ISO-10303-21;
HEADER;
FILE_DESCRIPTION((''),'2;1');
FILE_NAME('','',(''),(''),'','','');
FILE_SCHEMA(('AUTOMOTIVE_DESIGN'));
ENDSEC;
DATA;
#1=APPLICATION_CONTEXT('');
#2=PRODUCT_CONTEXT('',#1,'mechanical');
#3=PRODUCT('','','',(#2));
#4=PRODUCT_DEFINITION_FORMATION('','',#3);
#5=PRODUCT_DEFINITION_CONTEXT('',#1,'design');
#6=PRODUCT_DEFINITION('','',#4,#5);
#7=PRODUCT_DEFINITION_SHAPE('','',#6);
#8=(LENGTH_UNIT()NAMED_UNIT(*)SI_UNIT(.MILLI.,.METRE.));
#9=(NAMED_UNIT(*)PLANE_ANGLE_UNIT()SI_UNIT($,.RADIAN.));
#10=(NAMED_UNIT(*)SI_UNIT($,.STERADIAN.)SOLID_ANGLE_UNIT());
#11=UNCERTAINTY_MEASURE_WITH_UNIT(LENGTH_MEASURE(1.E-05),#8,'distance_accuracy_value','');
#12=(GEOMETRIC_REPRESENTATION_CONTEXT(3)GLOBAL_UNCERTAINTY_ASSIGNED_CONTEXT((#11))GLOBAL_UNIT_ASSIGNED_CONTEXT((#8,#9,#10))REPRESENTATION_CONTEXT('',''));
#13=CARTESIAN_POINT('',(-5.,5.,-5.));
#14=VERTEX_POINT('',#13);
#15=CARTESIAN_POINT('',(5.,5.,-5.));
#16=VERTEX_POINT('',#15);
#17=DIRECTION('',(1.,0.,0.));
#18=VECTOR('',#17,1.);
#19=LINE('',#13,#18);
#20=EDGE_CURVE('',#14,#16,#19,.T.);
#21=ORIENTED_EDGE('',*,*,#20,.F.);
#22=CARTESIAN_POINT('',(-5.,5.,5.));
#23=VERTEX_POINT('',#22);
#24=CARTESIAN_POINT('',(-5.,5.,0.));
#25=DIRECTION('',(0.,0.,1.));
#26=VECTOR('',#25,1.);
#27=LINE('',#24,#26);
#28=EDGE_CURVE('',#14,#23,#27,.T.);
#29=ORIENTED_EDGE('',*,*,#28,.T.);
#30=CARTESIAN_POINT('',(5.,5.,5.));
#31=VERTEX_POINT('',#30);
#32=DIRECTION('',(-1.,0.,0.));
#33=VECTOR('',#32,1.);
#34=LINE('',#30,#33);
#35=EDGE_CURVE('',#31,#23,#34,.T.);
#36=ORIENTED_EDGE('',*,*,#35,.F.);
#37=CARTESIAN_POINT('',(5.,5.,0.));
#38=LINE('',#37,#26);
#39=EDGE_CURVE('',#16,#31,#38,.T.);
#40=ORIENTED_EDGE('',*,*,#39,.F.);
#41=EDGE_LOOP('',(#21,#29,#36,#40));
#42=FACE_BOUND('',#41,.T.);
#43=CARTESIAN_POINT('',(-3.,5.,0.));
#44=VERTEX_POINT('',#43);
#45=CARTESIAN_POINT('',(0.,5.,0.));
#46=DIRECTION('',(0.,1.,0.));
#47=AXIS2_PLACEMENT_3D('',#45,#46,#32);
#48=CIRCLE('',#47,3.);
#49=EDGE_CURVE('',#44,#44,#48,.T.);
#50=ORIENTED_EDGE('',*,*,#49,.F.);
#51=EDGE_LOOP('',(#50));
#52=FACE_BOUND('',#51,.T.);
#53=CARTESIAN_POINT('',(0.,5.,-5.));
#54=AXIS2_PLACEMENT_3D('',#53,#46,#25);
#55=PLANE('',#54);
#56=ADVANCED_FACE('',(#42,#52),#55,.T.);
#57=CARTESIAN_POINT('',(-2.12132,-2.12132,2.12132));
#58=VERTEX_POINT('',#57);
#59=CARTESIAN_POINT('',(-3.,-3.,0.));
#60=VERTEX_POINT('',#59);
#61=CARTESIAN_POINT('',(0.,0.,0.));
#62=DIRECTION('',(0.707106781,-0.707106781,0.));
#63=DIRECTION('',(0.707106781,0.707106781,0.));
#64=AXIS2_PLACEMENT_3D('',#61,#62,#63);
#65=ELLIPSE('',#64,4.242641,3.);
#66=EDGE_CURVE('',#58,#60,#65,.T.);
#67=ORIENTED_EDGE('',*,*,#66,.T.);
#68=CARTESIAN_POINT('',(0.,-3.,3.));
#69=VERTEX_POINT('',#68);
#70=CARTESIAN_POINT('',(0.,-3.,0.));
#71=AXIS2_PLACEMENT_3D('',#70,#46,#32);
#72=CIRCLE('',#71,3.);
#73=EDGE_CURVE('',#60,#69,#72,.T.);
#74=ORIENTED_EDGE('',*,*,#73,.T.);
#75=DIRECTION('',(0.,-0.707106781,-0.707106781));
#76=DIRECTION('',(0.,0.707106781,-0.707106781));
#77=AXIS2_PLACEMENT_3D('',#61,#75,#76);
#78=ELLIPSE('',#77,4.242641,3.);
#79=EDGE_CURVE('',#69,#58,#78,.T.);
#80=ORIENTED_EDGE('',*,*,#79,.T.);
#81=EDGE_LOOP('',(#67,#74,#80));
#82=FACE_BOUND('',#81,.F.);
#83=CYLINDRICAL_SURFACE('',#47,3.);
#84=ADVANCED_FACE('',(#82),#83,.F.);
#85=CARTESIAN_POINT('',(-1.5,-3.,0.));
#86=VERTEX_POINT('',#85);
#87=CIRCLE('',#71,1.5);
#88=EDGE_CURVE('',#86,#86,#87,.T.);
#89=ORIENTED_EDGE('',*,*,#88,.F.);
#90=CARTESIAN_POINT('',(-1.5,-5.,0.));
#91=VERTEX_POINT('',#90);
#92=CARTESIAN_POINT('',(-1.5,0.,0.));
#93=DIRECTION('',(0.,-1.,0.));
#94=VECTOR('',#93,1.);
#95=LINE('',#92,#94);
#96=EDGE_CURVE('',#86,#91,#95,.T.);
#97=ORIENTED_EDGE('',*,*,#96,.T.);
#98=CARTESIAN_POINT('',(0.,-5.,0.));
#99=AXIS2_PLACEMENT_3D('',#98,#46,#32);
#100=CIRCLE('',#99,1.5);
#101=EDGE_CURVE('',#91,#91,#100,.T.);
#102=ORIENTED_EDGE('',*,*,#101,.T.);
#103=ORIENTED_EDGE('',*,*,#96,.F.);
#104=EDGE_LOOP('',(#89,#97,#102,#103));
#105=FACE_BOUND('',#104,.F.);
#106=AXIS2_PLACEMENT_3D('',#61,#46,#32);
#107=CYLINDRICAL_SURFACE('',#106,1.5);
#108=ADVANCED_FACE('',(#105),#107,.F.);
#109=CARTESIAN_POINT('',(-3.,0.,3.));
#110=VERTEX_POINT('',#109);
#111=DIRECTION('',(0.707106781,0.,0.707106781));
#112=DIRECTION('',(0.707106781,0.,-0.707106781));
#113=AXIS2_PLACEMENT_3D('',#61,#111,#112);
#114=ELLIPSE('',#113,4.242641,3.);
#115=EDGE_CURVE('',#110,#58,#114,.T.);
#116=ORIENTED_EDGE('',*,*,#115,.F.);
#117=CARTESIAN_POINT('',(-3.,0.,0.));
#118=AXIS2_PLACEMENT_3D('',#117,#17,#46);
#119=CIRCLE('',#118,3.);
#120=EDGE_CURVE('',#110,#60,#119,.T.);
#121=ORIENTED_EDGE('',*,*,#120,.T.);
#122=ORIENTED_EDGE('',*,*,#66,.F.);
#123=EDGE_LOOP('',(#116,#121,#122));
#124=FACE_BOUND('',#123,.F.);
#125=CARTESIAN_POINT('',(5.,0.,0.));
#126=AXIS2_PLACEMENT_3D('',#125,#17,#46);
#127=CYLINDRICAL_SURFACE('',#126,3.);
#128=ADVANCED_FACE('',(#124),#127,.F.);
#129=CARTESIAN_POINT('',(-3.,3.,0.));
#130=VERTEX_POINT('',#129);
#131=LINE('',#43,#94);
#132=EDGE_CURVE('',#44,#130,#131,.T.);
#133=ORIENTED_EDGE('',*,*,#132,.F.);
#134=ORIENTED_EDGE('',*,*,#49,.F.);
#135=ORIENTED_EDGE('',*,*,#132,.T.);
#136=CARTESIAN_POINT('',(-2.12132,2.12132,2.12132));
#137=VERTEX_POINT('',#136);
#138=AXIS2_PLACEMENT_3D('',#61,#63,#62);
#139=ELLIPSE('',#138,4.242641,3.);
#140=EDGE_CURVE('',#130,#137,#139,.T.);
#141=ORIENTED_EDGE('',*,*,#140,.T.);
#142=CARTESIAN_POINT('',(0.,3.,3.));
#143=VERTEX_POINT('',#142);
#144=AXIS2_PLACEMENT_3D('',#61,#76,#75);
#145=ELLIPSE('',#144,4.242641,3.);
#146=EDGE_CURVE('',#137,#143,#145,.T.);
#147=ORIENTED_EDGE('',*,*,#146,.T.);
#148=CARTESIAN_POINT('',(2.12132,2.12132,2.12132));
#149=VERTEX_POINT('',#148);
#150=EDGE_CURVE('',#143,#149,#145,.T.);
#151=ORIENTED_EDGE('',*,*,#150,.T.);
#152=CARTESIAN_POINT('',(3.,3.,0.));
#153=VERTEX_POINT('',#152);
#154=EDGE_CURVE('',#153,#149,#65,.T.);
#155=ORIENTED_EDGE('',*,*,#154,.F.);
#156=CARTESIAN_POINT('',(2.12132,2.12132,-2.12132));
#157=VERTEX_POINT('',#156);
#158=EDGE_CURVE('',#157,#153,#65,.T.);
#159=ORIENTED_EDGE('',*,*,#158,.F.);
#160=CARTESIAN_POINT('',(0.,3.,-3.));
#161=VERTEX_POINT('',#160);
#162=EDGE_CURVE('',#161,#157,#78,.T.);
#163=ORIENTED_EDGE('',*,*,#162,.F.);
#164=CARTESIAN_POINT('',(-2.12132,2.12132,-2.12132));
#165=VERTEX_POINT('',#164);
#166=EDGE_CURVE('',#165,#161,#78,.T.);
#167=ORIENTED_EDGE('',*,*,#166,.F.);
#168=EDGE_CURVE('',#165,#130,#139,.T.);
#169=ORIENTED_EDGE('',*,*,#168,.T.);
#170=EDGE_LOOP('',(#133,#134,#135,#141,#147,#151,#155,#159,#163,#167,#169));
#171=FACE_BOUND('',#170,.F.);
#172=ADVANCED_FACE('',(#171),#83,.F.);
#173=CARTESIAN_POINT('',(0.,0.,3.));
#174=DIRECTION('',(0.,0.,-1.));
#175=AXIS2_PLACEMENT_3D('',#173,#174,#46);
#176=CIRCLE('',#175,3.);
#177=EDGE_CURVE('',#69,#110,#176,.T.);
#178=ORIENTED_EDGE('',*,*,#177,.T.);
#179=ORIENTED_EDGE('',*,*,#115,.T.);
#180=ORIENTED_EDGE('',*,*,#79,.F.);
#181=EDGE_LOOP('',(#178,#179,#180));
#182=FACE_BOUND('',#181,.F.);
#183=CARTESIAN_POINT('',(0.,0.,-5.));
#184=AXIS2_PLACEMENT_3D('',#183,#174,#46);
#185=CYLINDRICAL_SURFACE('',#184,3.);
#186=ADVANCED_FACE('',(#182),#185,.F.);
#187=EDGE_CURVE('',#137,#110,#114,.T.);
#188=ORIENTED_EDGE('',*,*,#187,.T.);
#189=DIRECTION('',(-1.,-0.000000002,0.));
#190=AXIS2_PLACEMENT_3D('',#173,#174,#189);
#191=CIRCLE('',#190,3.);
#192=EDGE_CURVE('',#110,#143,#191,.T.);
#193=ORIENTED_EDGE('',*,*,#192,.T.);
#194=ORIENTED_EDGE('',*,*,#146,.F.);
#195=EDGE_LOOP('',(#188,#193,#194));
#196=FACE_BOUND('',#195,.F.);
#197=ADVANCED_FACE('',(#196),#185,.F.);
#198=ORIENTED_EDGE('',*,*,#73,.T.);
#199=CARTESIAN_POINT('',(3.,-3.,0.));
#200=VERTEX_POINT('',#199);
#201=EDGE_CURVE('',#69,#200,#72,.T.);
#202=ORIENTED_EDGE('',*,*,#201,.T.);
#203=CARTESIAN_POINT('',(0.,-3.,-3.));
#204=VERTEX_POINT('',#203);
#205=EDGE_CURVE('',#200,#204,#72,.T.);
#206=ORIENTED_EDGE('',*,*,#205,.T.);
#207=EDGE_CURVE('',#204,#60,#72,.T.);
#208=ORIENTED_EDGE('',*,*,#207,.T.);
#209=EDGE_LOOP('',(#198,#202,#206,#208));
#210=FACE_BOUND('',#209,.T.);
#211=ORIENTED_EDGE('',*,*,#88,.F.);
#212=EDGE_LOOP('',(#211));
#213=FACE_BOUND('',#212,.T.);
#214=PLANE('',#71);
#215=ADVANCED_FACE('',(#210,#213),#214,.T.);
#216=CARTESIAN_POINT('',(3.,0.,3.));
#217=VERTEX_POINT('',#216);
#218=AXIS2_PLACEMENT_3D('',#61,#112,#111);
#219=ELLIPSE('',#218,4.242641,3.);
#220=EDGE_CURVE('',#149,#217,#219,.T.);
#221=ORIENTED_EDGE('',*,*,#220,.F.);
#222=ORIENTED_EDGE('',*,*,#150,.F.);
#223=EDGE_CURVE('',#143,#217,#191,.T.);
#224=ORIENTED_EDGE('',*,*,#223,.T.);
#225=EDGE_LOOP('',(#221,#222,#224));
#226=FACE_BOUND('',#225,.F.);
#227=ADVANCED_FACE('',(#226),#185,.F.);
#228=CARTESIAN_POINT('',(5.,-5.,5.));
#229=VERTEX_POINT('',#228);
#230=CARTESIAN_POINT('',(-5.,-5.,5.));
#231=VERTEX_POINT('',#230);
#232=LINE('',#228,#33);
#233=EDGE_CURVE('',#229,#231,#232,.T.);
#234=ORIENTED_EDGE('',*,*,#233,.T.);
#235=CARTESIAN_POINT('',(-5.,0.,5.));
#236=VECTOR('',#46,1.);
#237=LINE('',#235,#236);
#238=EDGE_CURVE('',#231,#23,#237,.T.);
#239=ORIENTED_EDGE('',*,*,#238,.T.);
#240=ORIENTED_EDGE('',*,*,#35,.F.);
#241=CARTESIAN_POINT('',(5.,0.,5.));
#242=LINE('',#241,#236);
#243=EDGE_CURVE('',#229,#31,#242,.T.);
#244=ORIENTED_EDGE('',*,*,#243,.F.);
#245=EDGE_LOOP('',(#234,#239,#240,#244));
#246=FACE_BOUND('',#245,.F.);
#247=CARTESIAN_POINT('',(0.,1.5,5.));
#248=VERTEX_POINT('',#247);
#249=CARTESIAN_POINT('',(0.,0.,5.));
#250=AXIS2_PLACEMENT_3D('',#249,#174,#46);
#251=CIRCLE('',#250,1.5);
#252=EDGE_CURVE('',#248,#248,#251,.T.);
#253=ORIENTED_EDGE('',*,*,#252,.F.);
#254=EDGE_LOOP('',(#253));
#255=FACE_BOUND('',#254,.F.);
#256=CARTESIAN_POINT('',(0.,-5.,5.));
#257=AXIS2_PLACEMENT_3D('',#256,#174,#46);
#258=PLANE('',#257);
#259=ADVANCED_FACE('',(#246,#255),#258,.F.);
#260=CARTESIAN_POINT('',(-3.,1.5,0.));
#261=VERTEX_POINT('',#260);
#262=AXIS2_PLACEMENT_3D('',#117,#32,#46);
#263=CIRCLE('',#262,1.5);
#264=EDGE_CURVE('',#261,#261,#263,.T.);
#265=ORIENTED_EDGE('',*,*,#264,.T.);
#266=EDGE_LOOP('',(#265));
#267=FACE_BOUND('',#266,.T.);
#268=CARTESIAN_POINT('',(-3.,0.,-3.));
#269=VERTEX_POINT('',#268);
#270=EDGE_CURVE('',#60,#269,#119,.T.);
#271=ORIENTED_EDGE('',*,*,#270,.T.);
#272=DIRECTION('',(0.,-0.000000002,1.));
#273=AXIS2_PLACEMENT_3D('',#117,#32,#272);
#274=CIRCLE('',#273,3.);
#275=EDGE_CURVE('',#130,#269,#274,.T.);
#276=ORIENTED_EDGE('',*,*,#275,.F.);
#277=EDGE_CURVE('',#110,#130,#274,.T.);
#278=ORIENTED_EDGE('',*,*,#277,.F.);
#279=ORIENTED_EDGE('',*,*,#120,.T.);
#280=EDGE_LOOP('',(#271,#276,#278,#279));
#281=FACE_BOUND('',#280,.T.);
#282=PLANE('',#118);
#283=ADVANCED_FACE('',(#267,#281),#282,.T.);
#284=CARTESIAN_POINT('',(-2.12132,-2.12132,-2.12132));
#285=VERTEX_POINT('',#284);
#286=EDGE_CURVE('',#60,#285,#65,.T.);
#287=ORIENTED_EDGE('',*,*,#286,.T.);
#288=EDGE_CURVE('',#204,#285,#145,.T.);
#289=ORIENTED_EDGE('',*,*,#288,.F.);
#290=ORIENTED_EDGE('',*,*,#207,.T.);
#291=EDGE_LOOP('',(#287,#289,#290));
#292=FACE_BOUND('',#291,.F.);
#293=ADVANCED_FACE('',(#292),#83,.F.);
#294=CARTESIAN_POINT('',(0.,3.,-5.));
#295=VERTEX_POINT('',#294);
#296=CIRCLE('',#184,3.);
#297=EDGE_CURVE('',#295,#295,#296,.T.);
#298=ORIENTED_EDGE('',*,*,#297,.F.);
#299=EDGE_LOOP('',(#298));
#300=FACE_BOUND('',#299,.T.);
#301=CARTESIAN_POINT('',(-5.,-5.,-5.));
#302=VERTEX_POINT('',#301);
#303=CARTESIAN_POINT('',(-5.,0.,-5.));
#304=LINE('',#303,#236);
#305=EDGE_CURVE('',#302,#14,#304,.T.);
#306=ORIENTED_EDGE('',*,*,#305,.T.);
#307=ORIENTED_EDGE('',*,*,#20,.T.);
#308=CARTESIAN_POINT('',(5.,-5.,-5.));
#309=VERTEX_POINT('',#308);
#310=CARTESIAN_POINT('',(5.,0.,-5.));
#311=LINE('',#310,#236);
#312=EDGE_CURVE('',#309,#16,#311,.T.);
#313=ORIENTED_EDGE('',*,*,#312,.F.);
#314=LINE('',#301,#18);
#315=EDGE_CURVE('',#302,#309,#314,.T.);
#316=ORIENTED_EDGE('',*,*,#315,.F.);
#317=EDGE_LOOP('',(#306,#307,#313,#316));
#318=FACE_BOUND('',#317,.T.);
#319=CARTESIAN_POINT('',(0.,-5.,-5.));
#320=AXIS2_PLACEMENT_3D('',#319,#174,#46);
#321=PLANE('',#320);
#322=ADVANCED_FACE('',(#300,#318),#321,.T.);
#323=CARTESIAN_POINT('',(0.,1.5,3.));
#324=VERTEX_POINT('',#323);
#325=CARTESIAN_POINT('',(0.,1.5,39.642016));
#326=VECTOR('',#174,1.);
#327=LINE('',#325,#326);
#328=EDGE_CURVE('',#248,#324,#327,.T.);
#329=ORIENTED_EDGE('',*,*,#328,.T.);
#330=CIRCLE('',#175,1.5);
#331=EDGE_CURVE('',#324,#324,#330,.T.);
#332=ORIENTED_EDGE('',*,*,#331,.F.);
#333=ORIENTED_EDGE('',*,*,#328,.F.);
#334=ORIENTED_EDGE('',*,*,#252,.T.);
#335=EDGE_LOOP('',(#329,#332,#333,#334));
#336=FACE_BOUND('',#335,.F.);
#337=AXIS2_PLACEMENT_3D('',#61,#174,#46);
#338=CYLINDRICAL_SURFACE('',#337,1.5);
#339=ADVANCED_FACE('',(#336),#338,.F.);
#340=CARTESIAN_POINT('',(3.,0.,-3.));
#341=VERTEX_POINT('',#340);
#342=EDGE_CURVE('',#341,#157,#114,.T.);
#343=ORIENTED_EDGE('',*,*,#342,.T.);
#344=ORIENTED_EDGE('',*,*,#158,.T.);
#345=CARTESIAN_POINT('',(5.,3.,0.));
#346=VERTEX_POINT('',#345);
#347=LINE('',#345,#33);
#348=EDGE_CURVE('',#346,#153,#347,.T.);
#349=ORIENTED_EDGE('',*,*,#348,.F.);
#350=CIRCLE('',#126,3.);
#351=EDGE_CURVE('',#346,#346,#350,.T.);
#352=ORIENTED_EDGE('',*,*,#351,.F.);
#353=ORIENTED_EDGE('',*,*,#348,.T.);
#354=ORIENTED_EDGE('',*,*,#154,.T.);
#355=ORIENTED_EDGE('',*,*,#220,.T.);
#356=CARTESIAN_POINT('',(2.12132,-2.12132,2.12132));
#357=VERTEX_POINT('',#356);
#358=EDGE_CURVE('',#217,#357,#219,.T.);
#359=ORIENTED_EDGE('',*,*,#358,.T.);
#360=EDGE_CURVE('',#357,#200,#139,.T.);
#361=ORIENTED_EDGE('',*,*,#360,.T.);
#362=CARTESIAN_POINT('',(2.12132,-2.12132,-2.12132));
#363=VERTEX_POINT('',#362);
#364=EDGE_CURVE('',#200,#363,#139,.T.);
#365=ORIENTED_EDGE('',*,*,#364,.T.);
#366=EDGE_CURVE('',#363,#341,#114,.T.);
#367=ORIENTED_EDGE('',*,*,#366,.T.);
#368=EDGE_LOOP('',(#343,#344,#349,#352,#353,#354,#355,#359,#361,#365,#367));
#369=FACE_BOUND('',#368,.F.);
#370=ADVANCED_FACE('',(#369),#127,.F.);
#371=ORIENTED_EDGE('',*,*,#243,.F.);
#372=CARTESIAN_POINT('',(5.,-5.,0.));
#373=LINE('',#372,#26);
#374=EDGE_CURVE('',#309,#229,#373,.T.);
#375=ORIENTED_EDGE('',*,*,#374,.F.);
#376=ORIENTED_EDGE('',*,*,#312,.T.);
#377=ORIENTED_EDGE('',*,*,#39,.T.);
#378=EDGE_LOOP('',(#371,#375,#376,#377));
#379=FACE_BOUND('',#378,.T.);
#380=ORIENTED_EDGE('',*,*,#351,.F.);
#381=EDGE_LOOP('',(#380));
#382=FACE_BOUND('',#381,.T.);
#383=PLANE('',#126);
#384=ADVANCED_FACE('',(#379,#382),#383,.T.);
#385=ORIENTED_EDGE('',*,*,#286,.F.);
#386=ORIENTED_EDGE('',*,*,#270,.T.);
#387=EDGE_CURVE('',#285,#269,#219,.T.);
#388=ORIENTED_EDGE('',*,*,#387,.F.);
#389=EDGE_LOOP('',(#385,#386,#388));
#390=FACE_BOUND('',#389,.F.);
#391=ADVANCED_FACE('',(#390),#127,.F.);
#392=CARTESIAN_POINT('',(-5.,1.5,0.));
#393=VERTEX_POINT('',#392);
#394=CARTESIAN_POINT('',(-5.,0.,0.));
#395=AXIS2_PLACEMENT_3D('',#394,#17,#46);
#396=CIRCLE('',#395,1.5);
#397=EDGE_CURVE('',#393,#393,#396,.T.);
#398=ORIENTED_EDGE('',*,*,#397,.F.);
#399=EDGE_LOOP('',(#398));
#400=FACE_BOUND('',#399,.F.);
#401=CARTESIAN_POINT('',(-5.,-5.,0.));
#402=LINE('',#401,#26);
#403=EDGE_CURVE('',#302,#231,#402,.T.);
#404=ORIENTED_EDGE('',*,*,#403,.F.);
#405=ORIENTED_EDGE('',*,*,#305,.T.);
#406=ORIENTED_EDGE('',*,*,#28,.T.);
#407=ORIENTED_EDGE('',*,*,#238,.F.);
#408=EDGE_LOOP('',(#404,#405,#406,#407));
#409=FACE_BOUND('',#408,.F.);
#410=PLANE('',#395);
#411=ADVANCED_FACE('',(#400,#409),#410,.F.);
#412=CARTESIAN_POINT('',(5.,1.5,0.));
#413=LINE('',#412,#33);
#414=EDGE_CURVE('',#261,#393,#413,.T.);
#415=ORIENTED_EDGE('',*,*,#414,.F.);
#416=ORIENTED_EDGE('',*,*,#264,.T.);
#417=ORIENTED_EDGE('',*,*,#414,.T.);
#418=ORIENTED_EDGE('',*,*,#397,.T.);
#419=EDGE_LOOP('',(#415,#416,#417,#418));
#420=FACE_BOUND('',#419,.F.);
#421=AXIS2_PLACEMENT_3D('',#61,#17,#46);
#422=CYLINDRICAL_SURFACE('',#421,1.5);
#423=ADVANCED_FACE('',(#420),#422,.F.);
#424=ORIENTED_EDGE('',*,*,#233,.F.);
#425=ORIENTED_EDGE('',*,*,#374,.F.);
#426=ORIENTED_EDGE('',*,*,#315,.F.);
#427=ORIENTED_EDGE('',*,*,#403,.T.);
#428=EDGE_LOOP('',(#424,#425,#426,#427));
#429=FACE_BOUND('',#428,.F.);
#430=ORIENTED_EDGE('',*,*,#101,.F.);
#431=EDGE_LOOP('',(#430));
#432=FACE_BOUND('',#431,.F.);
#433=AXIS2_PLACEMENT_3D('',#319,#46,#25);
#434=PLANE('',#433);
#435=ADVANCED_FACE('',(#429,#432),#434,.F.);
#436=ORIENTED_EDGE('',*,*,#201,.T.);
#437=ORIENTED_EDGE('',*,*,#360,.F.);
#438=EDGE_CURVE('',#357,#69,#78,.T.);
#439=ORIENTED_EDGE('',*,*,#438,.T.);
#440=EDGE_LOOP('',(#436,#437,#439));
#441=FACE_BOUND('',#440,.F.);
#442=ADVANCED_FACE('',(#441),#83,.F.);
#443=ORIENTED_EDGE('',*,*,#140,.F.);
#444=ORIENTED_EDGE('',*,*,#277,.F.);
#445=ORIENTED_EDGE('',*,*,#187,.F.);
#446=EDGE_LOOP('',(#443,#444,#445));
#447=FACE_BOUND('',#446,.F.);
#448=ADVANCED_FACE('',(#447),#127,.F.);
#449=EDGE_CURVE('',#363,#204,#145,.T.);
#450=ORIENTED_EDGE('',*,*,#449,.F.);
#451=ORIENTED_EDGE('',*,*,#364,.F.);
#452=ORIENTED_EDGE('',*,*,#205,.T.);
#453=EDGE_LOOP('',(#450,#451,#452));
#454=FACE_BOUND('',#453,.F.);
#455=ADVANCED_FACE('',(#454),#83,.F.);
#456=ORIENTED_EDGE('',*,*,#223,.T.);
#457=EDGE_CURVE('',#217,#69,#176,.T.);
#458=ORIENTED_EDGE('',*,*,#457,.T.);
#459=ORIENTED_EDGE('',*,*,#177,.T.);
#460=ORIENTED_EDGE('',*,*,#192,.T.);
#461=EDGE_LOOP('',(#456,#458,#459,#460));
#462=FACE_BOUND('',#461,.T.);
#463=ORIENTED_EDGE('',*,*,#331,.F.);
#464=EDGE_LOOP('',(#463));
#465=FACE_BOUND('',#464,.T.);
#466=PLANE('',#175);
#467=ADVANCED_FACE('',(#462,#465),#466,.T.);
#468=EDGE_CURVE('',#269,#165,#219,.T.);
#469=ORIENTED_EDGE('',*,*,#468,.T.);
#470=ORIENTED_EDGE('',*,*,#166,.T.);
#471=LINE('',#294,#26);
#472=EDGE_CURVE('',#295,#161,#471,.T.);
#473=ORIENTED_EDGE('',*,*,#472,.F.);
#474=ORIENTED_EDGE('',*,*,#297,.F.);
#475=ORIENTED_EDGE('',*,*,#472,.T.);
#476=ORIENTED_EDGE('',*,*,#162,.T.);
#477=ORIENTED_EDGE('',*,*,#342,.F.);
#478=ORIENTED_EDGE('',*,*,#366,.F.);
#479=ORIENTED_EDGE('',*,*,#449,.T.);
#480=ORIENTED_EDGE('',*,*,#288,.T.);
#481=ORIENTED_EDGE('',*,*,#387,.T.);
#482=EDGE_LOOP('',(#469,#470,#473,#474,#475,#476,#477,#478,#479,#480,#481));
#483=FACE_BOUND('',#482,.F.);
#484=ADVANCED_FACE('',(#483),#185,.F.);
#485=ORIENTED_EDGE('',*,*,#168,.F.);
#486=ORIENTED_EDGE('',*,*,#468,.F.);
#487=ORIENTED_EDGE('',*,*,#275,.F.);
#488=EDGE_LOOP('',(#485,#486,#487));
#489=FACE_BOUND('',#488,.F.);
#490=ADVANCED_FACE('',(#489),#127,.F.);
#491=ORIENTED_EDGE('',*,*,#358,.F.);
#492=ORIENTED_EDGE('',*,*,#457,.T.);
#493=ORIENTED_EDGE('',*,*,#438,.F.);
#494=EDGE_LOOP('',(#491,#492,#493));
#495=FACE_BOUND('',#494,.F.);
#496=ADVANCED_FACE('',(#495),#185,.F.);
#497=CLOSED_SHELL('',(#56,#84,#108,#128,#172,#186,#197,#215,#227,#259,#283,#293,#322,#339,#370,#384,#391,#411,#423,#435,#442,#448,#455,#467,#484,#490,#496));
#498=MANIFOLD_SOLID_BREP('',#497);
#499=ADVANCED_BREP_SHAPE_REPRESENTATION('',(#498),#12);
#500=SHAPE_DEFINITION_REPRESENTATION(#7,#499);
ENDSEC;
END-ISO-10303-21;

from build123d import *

# Parameters (mm, degrees)
SKETCH001_W                       = 10
SKETCH001_H                       = 10
PAD001_DEPTH                      = 5
SKETCH002_R                       = 1.5
POCKET_DEPTH                      = 39.642016
POCKET_DEPTH_BACK                 = 39.642016
SKETCH002_POLARPATTERN_2_R        = 1.5
POCKET_POLARPATTERN_2_DEPTH       = 39.642016
POCKET_POLARPATTERN_2_DEPTH_BACK  = 39.642016
POLARPATTERN001_COUNT             = 2
POLARPATTERN001_ANGLE             = 90
SKETCH003_R                       = 3
POCKET001_DEPTH                   = 8
SKETCH003_POLARPATTERN002_2_R     = 3
POCKET001_POLARPATTERN002_2_DEPTH = 8
POLARPATTERN003_COUNT             = 2
POLARPATTERN003_ANGLE             = 90


with BuildPart() as part:
    # Sketch001 → Pad001 (new body, symmetric)
    with BuildSketch(Plane.YZ):
        Rectangle(SKETCH001_W, SKETCH001_H)
    extrude(amount=PAD001_DEPTH, both=True)

    # Sketch002 → Pocket (cut, two sides)
    with BuildSketch(Plane.YZ) as pocket_sk:
        Circle(SKETCH002_R)
    pocket = extrude(amount=-POCKET_DEPTH, mode=Mode.SUBTRACT) + extrude(pocket_sk.sketch, amount=POCKET_DEPTH_BACK, mode=Mode.SUBTRACT)

    # Sketch002 PolarPattern 2 → Pocket PolarPattern 2 (cut, two sides)
    with BuildSketch(Plane(origin=(0, 0, 0), x_dir=(-1, 0, 0), z_dir=(0, 1, 0))) as pocket_polarpattern_2_sk:
        Circle(SKETCH002_POLARPATTERN_2_R)
    pocket_polarpattern_2 = extrude(amount=-POCKET_POLARPATTERN_2_DEPTH, mode=Mode.SUBTRACT) + extrude(pocket_polarpattern_2_sk.sketch, amount=POCKET_POLARPATTERN_2_DEPTH_BACK, mode=Mode.SUBTRACT)

    # PolarPattern001: Pocket, Pocket PolarPattern 2 ×2 about axis
    polarpattern001_axis = Axis((0, 0, 0), (0, 1, 0))
    for i in range(1, POLARPATTERN001_COUNT):
        add(pocket.rotate(polarpattern001_axis, i * POLARPATTERN001_ANGLE / (POLARPATTERN001_COUNT - 1)), mode=Mode.SUBTRACT)
        add(pocket_polarpattern_2.rotate(polarpattern001_axis, i * POLARPATTERN001_ANGLE / (POLARPATTERN001_COUNT - 1)), mode=Mode.SUBTRACT)

    # Sketch003 (on Plane of DatumPlane) → Pocket001 (cut)
    with BuildSketch(Plane.YZ.offset(5)):
        Circle(SKETCH003_R)
    pocket001 = extrude(amount=-POCKET001_DEPTH, mode=Mode.SUBTRACT)

    # Sketch003 PolarPattern002 2 → Pocket001 PolarPattern002 2 (cut)
    with BuildSketch(Plane.YX.offset(5)):
        Circle(SKETCH003_POLARPATTERN002_2_R)
    pocket001_polarpattern002_2 = extrude(amount=-POCKET001_POLARPATTERN002_2_DEPTH, mode=Mode.SUBTRACT)

    # PolarPattern003: Pocket001, Pocket001 PolarPattern002 2 ×2 about axis
    polarpattern003_axis = Axis((0, 0, 0), (0, 0, 1))
    for i in range(1, POLARPATTERN003_COUNT):
        add(pocket001.rotate(polarpattern003_axis, i * POLARPATTERN003_ANGLE / (POLARPATTERN003_COUNT - 1)), mode=Mode.SUBTRACT)
        add(pocket001_polarpattern002_2.rotate(polarpattern003_axis, i * POLARPATTERN003_ANGLE / (POLARPATTERN003_COUNT - 1)), mode=Mode.SUBTRACT)


solid = part.part
